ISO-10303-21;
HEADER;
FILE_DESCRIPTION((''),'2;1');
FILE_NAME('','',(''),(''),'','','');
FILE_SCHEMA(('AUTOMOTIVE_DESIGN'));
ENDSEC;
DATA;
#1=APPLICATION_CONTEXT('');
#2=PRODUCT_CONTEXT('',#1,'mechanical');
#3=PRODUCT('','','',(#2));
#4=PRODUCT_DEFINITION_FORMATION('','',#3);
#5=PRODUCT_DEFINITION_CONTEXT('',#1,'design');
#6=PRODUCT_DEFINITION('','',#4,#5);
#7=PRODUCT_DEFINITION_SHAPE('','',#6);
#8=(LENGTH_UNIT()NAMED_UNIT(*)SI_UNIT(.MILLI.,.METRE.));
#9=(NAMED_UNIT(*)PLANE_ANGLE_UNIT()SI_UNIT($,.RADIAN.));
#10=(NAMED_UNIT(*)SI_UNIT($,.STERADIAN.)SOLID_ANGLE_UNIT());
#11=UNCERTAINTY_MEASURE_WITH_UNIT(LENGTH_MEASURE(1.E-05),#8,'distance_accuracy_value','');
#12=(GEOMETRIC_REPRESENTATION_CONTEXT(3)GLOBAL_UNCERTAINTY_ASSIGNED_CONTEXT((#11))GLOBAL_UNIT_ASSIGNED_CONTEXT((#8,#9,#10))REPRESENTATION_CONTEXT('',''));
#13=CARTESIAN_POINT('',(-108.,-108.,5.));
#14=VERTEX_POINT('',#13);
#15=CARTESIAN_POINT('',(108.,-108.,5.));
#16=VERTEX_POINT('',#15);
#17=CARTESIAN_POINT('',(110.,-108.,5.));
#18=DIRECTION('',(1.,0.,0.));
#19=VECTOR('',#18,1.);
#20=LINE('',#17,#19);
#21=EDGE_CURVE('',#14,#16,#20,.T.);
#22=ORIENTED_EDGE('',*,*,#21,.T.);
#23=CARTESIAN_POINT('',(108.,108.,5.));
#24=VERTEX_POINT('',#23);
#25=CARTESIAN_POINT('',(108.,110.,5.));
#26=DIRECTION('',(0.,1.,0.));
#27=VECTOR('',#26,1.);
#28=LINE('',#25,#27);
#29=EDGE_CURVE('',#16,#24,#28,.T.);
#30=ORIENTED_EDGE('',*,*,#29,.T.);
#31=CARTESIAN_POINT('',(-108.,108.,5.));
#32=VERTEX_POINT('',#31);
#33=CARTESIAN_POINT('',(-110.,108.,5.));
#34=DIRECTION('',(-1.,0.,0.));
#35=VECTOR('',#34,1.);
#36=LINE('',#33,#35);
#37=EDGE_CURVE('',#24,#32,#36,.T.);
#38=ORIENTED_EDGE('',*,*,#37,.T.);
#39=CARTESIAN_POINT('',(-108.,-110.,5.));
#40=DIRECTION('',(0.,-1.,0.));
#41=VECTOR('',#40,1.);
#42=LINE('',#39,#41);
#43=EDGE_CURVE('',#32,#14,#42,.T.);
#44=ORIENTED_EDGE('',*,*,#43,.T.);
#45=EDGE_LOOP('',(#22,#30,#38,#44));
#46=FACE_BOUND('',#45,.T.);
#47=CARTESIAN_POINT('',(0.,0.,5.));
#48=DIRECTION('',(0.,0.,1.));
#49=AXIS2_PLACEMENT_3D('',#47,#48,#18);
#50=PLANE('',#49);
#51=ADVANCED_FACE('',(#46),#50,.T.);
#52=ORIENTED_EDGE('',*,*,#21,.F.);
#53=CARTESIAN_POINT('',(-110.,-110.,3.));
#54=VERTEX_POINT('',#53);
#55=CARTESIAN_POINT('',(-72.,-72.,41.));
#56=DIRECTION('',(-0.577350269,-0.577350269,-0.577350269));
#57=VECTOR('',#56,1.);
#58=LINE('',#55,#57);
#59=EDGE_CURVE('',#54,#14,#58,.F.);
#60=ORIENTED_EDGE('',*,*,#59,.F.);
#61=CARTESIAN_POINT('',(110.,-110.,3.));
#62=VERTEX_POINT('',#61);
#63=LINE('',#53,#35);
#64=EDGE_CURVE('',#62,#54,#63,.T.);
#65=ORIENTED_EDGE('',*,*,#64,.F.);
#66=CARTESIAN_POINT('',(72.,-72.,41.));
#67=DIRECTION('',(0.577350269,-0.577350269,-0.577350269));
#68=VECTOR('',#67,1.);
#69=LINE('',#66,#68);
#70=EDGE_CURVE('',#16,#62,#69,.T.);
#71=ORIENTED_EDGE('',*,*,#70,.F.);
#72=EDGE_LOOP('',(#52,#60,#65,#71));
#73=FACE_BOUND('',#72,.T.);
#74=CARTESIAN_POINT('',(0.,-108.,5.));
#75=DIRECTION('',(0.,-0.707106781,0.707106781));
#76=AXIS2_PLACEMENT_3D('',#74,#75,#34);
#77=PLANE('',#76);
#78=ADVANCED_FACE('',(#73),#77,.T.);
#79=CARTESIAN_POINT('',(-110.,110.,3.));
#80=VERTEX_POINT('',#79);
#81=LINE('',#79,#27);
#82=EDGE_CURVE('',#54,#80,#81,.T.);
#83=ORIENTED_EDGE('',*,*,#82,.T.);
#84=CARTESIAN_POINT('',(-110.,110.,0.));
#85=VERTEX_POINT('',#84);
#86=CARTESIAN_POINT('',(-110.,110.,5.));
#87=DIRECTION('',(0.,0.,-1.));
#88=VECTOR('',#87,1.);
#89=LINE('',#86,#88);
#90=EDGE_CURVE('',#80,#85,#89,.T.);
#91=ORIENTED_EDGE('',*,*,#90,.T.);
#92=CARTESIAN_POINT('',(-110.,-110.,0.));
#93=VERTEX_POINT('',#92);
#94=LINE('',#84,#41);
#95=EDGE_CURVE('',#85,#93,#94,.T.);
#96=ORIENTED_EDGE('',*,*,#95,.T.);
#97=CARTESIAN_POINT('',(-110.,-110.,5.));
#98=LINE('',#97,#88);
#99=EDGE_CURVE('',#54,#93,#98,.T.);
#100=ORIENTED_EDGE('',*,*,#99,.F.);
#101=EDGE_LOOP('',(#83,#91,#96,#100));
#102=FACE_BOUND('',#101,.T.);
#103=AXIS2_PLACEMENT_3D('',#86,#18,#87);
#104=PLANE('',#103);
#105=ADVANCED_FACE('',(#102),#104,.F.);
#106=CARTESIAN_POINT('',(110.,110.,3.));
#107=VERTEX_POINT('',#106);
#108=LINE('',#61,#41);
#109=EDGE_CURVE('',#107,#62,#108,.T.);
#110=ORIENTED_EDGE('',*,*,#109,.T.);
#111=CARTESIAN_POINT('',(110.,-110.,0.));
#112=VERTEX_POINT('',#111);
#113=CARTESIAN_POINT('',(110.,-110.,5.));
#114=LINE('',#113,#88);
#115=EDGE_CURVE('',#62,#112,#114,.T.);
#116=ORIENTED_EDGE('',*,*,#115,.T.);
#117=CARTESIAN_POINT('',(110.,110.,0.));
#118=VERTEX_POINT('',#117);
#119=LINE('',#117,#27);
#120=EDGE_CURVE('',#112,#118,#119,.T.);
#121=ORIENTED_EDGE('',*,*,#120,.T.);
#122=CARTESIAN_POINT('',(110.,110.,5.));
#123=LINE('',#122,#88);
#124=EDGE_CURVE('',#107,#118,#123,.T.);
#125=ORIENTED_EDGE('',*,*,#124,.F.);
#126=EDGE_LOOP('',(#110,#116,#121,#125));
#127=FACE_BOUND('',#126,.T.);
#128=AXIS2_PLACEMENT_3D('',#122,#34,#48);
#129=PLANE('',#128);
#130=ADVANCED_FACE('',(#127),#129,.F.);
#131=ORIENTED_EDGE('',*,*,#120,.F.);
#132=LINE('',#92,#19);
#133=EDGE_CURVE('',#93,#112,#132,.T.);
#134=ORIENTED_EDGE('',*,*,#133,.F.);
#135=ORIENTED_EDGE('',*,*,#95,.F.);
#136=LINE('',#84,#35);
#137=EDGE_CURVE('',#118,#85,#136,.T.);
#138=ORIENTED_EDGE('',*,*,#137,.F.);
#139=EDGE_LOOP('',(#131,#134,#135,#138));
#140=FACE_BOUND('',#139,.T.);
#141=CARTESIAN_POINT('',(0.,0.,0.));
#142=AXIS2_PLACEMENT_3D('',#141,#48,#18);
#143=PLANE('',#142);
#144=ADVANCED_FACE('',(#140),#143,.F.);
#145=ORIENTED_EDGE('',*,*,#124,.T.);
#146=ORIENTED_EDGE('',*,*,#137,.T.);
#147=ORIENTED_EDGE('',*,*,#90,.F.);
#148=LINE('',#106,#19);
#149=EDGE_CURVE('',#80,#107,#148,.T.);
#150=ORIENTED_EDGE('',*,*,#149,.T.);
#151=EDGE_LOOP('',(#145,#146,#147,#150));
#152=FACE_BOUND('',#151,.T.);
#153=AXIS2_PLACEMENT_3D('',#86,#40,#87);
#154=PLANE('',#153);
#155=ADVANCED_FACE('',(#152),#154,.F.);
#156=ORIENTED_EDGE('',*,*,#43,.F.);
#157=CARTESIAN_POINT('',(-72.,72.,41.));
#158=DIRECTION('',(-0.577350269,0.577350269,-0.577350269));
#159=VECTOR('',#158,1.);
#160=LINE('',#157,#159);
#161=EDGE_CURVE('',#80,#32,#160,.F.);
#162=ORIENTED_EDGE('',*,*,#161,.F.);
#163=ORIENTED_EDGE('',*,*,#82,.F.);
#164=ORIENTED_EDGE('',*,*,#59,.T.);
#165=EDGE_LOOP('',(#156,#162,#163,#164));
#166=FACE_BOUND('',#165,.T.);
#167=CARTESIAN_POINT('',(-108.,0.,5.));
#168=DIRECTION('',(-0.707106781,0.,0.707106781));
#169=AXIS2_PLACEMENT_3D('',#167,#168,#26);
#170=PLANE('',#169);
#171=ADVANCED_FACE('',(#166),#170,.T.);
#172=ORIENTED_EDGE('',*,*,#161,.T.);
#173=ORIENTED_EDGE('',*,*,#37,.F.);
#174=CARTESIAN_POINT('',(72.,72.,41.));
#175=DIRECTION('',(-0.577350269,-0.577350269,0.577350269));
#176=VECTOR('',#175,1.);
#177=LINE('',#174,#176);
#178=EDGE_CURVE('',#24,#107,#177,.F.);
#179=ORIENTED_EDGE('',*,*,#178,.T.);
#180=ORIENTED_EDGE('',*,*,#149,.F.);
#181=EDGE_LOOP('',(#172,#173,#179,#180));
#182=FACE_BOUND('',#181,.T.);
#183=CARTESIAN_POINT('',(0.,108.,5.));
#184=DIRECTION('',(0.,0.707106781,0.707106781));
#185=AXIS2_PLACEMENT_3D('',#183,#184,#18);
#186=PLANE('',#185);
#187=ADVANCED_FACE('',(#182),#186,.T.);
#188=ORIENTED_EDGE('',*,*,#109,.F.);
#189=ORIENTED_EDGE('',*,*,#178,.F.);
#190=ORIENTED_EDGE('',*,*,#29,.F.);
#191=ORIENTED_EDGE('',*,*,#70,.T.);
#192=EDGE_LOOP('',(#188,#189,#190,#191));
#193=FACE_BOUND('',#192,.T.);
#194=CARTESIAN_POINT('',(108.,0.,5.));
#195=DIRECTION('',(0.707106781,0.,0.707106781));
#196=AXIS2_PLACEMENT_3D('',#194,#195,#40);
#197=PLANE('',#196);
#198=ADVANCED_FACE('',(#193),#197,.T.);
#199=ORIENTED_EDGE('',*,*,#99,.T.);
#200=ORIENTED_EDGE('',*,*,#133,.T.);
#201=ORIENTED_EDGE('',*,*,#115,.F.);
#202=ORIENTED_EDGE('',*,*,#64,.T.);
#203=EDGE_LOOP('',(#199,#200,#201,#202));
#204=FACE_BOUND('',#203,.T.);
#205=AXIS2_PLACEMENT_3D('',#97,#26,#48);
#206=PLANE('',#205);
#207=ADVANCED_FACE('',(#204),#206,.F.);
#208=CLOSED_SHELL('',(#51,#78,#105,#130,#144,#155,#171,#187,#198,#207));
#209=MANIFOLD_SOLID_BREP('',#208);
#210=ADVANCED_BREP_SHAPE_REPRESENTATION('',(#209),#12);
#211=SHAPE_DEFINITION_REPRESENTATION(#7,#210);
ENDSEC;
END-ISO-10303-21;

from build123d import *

# Parameters (mm, degrees)
SKETCH1_W           = 220
SKETCH1_H           = 220
BOSS_EXTRUDE1_DEPTH = 5
CHAMFER1_SIZE       = 2


with BuildPart() as part:
    # Sketch1 → Boss-Extrude1 (new body)
    with BuildSketch(Plane.XY):
        Rectangle(SKETCH1_W, SKETCH1_H)
    extrude(amount=BOSS_EXTRUDE1_DEPTH)

    # Chamfer1
    chamfer1_edges = [part.edges().sort_by_distance(p)[0] for p in [
        (-110, 0, 5),
        (0, -110, 5),
        (110, 0, 5),
        (0, 110, 5),
    ]]
    chamfer(chamfer1_edges, length=CHAMFER1_SIZE)


solid = part.part
